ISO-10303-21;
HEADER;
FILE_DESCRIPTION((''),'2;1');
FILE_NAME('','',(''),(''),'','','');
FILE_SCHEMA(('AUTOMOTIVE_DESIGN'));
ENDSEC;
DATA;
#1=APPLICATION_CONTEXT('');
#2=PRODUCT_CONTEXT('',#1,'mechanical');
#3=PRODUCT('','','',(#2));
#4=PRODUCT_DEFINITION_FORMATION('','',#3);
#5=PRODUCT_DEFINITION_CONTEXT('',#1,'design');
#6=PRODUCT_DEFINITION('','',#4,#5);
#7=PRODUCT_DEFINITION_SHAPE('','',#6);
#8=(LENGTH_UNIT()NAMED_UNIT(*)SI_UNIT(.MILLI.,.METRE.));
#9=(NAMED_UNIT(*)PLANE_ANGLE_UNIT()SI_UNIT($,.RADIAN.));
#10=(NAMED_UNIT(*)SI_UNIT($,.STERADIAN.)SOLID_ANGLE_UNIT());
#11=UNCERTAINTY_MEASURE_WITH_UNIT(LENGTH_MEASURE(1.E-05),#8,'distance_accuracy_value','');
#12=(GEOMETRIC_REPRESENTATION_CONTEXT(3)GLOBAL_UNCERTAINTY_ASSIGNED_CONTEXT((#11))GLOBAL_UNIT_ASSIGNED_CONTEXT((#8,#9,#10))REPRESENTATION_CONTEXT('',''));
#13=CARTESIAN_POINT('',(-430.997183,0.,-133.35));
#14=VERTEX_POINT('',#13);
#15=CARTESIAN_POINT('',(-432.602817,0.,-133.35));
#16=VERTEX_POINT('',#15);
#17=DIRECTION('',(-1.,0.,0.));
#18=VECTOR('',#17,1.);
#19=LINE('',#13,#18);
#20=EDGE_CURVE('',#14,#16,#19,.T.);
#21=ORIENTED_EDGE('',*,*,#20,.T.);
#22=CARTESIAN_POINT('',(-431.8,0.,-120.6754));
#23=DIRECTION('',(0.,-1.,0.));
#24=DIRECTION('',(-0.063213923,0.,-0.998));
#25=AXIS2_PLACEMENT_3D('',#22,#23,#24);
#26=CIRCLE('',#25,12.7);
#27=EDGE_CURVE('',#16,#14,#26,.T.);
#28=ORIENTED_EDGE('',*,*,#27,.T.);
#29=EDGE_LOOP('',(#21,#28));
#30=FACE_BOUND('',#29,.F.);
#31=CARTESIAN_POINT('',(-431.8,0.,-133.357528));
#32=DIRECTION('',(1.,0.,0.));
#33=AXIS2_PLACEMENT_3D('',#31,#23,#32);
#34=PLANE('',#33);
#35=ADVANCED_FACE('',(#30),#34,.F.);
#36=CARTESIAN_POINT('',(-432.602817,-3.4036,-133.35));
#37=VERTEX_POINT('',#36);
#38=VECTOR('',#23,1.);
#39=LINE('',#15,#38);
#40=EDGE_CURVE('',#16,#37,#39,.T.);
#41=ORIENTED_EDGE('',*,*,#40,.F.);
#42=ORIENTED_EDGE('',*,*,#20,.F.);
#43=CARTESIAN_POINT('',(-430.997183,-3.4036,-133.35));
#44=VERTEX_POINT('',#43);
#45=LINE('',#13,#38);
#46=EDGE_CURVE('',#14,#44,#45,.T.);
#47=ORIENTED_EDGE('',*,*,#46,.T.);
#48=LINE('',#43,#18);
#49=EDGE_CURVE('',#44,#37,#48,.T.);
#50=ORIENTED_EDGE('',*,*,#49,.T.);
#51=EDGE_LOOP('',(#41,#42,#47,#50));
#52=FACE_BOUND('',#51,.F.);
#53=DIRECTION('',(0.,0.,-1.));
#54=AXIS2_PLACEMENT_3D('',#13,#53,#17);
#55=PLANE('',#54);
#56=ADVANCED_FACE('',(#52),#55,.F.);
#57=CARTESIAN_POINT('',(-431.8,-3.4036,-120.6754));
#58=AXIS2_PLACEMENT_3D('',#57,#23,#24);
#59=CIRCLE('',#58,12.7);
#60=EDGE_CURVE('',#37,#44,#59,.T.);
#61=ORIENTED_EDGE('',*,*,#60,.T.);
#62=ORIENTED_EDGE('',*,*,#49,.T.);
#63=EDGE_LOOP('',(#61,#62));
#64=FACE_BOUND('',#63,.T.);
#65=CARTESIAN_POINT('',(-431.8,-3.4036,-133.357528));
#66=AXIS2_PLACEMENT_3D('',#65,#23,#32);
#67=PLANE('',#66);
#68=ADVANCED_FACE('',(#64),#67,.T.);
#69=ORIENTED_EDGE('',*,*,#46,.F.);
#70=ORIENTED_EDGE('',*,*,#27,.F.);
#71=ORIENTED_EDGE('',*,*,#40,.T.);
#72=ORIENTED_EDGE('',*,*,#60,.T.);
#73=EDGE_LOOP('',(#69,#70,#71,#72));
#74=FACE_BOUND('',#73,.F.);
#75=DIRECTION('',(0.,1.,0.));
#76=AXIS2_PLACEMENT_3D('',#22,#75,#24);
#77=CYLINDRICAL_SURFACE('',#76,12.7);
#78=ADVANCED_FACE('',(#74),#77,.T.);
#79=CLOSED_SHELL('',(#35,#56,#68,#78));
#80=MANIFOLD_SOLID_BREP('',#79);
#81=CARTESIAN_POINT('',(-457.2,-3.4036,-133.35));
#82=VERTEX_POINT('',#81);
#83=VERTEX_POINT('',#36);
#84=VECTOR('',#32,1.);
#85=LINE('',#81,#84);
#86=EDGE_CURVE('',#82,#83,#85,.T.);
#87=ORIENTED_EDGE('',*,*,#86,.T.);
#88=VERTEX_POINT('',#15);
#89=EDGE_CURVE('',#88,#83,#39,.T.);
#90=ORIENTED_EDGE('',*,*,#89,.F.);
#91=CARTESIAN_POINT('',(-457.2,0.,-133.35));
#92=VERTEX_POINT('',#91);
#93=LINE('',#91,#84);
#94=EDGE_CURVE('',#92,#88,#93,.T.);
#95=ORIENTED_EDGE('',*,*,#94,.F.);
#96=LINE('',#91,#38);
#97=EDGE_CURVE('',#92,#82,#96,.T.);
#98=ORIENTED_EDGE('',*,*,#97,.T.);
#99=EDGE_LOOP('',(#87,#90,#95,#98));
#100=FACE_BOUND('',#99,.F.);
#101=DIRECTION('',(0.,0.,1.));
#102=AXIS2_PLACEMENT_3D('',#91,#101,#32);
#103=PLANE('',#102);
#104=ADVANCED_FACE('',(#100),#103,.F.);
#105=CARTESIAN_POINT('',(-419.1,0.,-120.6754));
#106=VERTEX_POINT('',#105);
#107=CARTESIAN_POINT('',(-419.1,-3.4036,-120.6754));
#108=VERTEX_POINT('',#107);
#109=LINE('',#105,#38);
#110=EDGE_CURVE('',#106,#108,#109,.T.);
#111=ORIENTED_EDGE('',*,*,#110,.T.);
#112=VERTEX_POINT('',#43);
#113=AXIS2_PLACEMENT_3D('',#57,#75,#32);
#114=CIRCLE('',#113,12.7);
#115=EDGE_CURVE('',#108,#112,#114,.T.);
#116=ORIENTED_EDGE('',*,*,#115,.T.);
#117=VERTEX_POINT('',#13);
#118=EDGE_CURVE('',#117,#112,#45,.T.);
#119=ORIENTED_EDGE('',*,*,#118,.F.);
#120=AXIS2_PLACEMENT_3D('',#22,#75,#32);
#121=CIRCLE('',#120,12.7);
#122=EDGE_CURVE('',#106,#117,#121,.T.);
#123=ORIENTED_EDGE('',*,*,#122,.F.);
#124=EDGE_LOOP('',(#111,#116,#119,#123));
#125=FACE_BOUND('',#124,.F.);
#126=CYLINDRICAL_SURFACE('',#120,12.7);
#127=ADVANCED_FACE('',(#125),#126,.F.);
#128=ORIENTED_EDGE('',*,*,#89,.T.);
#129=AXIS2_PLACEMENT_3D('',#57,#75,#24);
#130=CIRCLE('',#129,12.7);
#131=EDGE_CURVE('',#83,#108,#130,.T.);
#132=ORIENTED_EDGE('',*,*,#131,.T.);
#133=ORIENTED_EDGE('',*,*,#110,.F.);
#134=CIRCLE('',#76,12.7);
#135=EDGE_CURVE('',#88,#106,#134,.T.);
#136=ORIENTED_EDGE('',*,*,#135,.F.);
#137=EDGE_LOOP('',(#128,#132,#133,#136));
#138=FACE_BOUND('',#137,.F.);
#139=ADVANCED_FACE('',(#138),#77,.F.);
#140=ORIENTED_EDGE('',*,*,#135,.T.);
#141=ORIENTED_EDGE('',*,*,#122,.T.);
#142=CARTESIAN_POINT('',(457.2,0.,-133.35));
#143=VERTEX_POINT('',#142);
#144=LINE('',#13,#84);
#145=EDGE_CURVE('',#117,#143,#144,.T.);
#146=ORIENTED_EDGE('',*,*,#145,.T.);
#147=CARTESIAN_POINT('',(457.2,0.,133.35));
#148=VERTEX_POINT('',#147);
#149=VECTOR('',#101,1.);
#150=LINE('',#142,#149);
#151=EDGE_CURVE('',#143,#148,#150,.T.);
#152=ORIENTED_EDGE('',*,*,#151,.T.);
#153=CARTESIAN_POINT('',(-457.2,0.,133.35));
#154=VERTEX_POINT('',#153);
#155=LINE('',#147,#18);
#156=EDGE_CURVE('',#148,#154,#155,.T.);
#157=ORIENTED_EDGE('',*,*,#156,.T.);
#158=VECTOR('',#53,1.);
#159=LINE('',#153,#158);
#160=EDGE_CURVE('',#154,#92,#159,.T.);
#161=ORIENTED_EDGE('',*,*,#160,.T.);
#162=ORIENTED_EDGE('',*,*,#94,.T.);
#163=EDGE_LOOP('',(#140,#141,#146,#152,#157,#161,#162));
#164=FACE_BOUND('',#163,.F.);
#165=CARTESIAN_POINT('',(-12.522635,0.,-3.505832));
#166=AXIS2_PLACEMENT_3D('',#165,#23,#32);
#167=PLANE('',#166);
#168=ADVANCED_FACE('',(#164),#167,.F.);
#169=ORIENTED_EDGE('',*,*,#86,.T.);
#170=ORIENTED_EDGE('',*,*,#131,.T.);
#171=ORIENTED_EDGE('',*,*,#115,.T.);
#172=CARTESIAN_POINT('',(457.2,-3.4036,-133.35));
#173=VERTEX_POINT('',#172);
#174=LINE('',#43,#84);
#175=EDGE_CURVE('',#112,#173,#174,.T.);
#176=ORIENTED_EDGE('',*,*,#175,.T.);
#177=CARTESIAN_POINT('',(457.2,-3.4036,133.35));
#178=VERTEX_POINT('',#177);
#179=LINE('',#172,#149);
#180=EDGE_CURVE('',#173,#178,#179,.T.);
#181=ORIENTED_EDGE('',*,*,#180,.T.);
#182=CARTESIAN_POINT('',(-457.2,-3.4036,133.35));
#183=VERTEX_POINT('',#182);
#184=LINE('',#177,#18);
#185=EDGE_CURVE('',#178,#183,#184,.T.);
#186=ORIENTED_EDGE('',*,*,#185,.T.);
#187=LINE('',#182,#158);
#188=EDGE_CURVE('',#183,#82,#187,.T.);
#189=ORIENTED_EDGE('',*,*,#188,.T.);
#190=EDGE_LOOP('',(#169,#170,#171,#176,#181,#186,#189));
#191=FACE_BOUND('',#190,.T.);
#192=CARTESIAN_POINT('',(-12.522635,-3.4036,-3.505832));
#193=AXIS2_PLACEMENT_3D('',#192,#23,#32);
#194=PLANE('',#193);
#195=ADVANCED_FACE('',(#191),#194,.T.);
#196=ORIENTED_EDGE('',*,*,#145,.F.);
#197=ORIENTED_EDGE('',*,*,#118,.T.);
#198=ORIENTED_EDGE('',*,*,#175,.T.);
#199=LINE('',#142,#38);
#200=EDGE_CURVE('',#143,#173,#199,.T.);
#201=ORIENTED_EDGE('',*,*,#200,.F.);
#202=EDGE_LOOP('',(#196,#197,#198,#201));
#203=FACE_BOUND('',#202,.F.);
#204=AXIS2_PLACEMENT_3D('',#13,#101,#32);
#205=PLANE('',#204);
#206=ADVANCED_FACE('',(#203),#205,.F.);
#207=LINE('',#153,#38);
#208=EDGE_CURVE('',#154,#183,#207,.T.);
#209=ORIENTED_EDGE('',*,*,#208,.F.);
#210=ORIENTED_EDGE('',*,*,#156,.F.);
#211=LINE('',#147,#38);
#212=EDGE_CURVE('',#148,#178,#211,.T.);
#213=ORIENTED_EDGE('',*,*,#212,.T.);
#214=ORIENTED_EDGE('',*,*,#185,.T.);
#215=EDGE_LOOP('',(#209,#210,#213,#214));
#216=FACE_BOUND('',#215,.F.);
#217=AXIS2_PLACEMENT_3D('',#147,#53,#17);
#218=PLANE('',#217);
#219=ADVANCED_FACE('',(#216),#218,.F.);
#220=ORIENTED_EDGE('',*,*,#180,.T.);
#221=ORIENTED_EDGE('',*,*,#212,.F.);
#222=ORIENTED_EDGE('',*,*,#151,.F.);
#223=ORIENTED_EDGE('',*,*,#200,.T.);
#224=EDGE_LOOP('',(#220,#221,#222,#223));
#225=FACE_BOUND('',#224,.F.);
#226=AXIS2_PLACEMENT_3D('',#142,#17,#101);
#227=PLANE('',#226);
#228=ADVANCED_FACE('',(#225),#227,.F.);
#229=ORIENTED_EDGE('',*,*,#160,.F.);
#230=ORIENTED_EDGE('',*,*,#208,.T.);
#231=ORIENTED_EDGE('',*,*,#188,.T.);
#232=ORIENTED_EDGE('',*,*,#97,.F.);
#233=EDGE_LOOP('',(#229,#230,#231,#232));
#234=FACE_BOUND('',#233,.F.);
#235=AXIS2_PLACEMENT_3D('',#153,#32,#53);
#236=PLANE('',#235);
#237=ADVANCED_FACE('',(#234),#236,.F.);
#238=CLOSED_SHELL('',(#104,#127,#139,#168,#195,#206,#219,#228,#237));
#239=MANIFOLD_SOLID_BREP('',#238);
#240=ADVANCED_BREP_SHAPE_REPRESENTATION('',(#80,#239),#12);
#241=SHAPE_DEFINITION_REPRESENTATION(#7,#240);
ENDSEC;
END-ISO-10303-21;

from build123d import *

# Parameters (mm, degrees)
F1_DEPTH = 3.4036


with BuildPart() as f1:
    # F0 (on Front) → F1 (new body)
    with BuildSketch(Plane.XZ):
        with BuildLine():
            Line((-430.997183184, -133.35), (-432.602816816, -133.35))
            ThreePointArc((-432.602816816, -133.35), (-431.8, -133.3754), (-430.997183184, -133.35))
        make_face()
    extrude(amount=F1_DEPTH)


with BuildPart() as f1b:
    # F0 (on Front) → F1, piece 2 (new body)
    with BuildSketch(Plane.XZ):
        with BuildLine():
            Line((457.2, 133.35), (-457.2, 133.35))
            Line((-457.2, 133.35), (-457.2, -133.35))
            Line((-457.2, -133.35), (-432.602816816, -133.35))
            ThreePointArc((-432.602816816, -133.35), (-440.4917842368, -111.4156544969), (-419.1, -120.6754))
            ThreePointArc((-419.1, -120.6754), (-422.5402544969, -129.3671842368), (-430.997183184, -133.35))
            Line((-430.997183184, -133.35), (457.2, -133.35))
            Line((457.2, -133.35), (457.2, 133.35))
        make_face()
    extrude(amount=F1_DEPTH)


solid = Compound([f1.part, f1b.part])
